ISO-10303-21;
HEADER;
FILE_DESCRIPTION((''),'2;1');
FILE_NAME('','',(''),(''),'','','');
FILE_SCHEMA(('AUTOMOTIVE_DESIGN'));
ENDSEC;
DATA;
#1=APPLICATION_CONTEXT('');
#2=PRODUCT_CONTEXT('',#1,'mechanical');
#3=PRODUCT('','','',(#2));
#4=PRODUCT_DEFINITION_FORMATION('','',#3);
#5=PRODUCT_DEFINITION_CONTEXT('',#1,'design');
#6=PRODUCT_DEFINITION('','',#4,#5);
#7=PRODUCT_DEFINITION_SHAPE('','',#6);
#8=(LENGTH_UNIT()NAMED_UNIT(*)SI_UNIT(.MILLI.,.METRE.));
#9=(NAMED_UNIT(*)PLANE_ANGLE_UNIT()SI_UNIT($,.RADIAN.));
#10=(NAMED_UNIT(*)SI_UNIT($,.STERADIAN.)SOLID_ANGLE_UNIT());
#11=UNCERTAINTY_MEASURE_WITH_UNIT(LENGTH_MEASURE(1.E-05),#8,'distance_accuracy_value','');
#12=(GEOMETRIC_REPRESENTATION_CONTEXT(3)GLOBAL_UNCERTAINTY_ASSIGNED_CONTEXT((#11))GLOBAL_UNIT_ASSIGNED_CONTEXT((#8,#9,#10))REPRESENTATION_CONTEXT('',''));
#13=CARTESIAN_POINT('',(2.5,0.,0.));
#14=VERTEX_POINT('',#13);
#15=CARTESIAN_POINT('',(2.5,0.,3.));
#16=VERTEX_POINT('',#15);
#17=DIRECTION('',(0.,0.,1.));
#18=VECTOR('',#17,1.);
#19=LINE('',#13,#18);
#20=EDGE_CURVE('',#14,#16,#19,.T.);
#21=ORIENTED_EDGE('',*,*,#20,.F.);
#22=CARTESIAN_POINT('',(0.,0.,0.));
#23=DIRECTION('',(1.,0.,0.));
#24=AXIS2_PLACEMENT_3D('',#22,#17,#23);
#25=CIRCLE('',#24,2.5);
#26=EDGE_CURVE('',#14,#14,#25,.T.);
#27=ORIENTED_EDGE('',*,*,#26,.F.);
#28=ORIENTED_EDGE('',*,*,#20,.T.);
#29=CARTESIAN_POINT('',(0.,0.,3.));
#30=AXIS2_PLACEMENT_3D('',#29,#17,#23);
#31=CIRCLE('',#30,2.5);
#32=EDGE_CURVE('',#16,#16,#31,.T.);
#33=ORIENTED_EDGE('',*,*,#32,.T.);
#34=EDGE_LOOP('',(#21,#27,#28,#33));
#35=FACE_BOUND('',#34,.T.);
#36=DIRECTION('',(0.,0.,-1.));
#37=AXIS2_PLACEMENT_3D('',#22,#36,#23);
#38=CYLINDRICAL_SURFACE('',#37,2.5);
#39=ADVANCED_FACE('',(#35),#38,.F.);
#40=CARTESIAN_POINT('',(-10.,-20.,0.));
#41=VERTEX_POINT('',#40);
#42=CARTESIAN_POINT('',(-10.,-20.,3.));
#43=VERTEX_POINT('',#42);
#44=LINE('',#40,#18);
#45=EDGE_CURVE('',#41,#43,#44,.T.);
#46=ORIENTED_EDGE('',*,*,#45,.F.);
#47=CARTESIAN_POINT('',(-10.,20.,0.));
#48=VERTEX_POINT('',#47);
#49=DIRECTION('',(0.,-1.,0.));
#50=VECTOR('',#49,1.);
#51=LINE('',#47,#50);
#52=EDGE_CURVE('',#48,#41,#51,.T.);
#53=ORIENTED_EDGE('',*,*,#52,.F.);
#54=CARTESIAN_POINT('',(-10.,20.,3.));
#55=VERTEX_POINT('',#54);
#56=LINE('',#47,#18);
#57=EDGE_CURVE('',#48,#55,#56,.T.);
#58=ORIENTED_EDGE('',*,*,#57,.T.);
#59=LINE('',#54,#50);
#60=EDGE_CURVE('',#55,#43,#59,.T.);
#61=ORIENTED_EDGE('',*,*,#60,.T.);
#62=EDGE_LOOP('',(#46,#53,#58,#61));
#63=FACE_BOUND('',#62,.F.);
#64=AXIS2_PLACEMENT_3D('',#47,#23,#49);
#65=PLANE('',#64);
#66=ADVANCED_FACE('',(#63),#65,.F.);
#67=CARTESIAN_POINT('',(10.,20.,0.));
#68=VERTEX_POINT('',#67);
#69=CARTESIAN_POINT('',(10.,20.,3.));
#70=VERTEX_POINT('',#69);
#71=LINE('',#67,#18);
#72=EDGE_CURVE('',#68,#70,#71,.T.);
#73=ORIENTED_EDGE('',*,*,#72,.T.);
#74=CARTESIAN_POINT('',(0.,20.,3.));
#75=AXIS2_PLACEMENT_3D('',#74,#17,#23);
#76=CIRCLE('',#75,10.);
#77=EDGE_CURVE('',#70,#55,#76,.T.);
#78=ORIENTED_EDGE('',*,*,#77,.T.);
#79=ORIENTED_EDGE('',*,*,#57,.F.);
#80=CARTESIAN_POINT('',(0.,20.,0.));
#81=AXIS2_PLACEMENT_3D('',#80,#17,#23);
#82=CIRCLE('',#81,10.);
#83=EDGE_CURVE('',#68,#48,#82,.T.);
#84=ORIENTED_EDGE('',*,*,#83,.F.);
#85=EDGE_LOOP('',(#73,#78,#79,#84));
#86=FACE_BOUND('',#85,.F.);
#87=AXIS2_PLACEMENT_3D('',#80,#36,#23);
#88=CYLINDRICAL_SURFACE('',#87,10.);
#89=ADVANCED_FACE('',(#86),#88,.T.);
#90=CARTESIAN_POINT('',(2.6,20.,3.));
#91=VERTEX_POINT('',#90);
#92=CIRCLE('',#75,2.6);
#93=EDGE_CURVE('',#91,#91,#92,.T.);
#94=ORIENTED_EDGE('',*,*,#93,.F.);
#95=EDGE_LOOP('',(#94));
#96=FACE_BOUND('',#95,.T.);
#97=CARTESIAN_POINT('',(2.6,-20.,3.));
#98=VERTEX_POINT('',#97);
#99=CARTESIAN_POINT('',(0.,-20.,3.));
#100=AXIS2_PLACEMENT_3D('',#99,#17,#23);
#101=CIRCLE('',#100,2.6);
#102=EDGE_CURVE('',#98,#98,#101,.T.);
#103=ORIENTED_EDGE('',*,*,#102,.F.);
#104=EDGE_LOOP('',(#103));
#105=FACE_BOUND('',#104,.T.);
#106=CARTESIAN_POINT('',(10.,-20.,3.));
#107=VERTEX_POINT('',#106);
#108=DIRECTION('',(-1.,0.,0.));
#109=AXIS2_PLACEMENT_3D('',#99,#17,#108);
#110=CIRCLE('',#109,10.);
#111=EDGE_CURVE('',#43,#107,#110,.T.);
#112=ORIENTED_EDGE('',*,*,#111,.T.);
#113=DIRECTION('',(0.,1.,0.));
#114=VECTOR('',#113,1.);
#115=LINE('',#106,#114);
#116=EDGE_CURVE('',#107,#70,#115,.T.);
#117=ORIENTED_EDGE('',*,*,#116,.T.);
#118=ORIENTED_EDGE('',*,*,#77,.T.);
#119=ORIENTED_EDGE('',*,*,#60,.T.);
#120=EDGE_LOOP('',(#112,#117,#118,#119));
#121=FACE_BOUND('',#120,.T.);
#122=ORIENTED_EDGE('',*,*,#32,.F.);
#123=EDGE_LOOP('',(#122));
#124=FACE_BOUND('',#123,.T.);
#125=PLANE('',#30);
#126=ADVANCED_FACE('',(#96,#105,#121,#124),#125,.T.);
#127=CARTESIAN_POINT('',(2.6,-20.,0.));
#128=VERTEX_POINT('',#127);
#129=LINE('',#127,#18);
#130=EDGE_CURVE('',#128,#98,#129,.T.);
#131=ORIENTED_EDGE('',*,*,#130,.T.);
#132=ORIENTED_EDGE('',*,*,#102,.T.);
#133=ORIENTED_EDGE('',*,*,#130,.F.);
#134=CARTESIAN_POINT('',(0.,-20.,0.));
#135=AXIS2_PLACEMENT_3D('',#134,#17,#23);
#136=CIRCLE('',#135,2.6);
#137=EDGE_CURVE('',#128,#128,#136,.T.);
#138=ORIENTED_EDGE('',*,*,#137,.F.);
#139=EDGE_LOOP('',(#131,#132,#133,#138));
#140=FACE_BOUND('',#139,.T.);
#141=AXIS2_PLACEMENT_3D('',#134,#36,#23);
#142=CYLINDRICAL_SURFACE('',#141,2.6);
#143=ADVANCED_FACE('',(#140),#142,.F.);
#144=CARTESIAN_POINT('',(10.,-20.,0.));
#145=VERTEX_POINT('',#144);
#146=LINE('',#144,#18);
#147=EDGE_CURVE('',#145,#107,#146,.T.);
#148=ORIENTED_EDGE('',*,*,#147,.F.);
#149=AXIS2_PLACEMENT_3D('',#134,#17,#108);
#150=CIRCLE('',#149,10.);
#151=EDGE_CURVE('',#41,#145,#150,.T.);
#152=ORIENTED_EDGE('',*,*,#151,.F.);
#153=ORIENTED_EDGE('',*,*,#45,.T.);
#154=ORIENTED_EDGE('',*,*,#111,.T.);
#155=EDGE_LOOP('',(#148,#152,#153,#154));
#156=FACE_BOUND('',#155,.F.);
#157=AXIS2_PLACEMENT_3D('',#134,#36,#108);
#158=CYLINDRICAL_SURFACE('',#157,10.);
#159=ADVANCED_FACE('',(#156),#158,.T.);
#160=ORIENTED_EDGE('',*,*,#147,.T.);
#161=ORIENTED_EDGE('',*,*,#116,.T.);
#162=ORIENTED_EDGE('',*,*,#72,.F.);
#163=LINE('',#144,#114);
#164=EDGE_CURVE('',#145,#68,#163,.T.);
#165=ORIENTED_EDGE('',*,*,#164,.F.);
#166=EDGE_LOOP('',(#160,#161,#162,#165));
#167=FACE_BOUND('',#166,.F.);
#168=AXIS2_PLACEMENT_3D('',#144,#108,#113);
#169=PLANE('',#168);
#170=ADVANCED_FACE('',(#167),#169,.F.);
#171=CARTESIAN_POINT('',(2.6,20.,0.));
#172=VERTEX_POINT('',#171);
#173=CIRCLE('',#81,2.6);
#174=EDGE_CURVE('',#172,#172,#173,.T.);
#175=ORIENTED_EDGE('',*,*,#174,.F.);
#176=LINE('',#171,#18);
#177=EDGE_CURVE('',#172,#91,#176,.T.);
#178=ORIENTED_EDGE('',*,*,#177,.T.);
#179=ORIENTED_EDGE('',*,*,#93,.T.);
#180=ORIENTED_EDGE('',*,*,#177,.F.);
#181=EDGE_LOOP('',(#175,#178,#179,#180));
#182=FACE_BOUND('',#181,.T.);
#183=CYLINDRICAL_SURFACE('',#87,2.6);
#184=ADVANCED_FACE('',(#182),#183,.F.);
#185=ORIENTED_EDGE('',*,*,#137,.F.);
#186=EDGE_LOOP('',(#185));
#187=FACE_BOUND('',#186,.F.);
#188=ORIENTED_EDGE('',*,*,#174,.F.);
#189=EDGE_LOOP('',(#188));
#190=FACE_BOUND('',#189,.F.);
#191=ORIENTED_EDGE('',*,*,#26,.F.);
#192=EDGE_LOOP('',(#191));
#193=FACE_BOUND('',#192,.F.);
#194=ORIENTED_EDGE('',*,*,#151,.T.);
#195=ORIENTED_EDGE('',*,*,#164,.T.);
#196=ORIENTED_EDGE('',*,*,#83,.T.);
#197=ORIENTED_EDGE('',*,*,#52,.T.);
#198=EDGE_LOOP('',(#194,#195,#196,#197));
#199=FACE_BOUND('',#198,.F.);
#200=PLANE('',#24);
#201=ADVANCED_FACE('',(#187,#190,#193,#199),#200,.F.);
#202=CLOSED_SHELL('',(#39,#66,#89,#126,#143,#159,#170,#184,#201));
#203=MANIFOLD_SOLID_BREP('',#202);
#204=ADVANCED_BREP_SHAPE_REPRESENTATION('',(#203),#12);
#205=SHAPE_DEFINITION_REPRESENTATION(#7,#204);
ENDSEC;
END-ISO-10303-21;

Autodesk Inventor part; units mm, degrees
ref_plane "YZ Plane" through (0, 0, 0) normal (1, 0, 0) x (0, 1, 0)
ref_plane "XZ Plane" through (0, 0, 0) normal (0, 1, 0) x (-1, 0, 0)
ref_plane "XY Plane" through (0, 0, 0) normal (0, 0, 1) x (1, 0, 0)
sketch "Sketch1" plane through (0, 0, 0) normal (0, 0, 1) x (1, 0, 0)
  line L0 (0, 0) -> (0, 20) construction
  line L1 (0, 0) -> (0, 20) construction
  line L2 (0, 20) -> (0, -20) construction
  line L3 (-10, 20) -> (-10, -20)
  line L4 (10, -20) -> (10, 20)
  arc A0 (10, 20) -> (-10, 20) centre (0, 20) ccw
  arc A1 (-10, -20) -> (10, -20) centre (0, -20) ccw
  circle A2 centre (0, 20) radius 2.6
  line L5 (0, 0) -> (10, 0) construction
  circle A3 centre (0, -20) radius 2.6
  circle A4 centre (0, 0) radius 2.5
  dimension "d15" = 20
  dimension "d16" = 20
  dimension "d17" = 40
  dimension "d18" = 10
  dimension "d19" = 5.2
  dimension "d20" = 5
extrude "Extrusion1" add sketch "Sketch1" along normal blind 3
properties part number "FingerSupport"
